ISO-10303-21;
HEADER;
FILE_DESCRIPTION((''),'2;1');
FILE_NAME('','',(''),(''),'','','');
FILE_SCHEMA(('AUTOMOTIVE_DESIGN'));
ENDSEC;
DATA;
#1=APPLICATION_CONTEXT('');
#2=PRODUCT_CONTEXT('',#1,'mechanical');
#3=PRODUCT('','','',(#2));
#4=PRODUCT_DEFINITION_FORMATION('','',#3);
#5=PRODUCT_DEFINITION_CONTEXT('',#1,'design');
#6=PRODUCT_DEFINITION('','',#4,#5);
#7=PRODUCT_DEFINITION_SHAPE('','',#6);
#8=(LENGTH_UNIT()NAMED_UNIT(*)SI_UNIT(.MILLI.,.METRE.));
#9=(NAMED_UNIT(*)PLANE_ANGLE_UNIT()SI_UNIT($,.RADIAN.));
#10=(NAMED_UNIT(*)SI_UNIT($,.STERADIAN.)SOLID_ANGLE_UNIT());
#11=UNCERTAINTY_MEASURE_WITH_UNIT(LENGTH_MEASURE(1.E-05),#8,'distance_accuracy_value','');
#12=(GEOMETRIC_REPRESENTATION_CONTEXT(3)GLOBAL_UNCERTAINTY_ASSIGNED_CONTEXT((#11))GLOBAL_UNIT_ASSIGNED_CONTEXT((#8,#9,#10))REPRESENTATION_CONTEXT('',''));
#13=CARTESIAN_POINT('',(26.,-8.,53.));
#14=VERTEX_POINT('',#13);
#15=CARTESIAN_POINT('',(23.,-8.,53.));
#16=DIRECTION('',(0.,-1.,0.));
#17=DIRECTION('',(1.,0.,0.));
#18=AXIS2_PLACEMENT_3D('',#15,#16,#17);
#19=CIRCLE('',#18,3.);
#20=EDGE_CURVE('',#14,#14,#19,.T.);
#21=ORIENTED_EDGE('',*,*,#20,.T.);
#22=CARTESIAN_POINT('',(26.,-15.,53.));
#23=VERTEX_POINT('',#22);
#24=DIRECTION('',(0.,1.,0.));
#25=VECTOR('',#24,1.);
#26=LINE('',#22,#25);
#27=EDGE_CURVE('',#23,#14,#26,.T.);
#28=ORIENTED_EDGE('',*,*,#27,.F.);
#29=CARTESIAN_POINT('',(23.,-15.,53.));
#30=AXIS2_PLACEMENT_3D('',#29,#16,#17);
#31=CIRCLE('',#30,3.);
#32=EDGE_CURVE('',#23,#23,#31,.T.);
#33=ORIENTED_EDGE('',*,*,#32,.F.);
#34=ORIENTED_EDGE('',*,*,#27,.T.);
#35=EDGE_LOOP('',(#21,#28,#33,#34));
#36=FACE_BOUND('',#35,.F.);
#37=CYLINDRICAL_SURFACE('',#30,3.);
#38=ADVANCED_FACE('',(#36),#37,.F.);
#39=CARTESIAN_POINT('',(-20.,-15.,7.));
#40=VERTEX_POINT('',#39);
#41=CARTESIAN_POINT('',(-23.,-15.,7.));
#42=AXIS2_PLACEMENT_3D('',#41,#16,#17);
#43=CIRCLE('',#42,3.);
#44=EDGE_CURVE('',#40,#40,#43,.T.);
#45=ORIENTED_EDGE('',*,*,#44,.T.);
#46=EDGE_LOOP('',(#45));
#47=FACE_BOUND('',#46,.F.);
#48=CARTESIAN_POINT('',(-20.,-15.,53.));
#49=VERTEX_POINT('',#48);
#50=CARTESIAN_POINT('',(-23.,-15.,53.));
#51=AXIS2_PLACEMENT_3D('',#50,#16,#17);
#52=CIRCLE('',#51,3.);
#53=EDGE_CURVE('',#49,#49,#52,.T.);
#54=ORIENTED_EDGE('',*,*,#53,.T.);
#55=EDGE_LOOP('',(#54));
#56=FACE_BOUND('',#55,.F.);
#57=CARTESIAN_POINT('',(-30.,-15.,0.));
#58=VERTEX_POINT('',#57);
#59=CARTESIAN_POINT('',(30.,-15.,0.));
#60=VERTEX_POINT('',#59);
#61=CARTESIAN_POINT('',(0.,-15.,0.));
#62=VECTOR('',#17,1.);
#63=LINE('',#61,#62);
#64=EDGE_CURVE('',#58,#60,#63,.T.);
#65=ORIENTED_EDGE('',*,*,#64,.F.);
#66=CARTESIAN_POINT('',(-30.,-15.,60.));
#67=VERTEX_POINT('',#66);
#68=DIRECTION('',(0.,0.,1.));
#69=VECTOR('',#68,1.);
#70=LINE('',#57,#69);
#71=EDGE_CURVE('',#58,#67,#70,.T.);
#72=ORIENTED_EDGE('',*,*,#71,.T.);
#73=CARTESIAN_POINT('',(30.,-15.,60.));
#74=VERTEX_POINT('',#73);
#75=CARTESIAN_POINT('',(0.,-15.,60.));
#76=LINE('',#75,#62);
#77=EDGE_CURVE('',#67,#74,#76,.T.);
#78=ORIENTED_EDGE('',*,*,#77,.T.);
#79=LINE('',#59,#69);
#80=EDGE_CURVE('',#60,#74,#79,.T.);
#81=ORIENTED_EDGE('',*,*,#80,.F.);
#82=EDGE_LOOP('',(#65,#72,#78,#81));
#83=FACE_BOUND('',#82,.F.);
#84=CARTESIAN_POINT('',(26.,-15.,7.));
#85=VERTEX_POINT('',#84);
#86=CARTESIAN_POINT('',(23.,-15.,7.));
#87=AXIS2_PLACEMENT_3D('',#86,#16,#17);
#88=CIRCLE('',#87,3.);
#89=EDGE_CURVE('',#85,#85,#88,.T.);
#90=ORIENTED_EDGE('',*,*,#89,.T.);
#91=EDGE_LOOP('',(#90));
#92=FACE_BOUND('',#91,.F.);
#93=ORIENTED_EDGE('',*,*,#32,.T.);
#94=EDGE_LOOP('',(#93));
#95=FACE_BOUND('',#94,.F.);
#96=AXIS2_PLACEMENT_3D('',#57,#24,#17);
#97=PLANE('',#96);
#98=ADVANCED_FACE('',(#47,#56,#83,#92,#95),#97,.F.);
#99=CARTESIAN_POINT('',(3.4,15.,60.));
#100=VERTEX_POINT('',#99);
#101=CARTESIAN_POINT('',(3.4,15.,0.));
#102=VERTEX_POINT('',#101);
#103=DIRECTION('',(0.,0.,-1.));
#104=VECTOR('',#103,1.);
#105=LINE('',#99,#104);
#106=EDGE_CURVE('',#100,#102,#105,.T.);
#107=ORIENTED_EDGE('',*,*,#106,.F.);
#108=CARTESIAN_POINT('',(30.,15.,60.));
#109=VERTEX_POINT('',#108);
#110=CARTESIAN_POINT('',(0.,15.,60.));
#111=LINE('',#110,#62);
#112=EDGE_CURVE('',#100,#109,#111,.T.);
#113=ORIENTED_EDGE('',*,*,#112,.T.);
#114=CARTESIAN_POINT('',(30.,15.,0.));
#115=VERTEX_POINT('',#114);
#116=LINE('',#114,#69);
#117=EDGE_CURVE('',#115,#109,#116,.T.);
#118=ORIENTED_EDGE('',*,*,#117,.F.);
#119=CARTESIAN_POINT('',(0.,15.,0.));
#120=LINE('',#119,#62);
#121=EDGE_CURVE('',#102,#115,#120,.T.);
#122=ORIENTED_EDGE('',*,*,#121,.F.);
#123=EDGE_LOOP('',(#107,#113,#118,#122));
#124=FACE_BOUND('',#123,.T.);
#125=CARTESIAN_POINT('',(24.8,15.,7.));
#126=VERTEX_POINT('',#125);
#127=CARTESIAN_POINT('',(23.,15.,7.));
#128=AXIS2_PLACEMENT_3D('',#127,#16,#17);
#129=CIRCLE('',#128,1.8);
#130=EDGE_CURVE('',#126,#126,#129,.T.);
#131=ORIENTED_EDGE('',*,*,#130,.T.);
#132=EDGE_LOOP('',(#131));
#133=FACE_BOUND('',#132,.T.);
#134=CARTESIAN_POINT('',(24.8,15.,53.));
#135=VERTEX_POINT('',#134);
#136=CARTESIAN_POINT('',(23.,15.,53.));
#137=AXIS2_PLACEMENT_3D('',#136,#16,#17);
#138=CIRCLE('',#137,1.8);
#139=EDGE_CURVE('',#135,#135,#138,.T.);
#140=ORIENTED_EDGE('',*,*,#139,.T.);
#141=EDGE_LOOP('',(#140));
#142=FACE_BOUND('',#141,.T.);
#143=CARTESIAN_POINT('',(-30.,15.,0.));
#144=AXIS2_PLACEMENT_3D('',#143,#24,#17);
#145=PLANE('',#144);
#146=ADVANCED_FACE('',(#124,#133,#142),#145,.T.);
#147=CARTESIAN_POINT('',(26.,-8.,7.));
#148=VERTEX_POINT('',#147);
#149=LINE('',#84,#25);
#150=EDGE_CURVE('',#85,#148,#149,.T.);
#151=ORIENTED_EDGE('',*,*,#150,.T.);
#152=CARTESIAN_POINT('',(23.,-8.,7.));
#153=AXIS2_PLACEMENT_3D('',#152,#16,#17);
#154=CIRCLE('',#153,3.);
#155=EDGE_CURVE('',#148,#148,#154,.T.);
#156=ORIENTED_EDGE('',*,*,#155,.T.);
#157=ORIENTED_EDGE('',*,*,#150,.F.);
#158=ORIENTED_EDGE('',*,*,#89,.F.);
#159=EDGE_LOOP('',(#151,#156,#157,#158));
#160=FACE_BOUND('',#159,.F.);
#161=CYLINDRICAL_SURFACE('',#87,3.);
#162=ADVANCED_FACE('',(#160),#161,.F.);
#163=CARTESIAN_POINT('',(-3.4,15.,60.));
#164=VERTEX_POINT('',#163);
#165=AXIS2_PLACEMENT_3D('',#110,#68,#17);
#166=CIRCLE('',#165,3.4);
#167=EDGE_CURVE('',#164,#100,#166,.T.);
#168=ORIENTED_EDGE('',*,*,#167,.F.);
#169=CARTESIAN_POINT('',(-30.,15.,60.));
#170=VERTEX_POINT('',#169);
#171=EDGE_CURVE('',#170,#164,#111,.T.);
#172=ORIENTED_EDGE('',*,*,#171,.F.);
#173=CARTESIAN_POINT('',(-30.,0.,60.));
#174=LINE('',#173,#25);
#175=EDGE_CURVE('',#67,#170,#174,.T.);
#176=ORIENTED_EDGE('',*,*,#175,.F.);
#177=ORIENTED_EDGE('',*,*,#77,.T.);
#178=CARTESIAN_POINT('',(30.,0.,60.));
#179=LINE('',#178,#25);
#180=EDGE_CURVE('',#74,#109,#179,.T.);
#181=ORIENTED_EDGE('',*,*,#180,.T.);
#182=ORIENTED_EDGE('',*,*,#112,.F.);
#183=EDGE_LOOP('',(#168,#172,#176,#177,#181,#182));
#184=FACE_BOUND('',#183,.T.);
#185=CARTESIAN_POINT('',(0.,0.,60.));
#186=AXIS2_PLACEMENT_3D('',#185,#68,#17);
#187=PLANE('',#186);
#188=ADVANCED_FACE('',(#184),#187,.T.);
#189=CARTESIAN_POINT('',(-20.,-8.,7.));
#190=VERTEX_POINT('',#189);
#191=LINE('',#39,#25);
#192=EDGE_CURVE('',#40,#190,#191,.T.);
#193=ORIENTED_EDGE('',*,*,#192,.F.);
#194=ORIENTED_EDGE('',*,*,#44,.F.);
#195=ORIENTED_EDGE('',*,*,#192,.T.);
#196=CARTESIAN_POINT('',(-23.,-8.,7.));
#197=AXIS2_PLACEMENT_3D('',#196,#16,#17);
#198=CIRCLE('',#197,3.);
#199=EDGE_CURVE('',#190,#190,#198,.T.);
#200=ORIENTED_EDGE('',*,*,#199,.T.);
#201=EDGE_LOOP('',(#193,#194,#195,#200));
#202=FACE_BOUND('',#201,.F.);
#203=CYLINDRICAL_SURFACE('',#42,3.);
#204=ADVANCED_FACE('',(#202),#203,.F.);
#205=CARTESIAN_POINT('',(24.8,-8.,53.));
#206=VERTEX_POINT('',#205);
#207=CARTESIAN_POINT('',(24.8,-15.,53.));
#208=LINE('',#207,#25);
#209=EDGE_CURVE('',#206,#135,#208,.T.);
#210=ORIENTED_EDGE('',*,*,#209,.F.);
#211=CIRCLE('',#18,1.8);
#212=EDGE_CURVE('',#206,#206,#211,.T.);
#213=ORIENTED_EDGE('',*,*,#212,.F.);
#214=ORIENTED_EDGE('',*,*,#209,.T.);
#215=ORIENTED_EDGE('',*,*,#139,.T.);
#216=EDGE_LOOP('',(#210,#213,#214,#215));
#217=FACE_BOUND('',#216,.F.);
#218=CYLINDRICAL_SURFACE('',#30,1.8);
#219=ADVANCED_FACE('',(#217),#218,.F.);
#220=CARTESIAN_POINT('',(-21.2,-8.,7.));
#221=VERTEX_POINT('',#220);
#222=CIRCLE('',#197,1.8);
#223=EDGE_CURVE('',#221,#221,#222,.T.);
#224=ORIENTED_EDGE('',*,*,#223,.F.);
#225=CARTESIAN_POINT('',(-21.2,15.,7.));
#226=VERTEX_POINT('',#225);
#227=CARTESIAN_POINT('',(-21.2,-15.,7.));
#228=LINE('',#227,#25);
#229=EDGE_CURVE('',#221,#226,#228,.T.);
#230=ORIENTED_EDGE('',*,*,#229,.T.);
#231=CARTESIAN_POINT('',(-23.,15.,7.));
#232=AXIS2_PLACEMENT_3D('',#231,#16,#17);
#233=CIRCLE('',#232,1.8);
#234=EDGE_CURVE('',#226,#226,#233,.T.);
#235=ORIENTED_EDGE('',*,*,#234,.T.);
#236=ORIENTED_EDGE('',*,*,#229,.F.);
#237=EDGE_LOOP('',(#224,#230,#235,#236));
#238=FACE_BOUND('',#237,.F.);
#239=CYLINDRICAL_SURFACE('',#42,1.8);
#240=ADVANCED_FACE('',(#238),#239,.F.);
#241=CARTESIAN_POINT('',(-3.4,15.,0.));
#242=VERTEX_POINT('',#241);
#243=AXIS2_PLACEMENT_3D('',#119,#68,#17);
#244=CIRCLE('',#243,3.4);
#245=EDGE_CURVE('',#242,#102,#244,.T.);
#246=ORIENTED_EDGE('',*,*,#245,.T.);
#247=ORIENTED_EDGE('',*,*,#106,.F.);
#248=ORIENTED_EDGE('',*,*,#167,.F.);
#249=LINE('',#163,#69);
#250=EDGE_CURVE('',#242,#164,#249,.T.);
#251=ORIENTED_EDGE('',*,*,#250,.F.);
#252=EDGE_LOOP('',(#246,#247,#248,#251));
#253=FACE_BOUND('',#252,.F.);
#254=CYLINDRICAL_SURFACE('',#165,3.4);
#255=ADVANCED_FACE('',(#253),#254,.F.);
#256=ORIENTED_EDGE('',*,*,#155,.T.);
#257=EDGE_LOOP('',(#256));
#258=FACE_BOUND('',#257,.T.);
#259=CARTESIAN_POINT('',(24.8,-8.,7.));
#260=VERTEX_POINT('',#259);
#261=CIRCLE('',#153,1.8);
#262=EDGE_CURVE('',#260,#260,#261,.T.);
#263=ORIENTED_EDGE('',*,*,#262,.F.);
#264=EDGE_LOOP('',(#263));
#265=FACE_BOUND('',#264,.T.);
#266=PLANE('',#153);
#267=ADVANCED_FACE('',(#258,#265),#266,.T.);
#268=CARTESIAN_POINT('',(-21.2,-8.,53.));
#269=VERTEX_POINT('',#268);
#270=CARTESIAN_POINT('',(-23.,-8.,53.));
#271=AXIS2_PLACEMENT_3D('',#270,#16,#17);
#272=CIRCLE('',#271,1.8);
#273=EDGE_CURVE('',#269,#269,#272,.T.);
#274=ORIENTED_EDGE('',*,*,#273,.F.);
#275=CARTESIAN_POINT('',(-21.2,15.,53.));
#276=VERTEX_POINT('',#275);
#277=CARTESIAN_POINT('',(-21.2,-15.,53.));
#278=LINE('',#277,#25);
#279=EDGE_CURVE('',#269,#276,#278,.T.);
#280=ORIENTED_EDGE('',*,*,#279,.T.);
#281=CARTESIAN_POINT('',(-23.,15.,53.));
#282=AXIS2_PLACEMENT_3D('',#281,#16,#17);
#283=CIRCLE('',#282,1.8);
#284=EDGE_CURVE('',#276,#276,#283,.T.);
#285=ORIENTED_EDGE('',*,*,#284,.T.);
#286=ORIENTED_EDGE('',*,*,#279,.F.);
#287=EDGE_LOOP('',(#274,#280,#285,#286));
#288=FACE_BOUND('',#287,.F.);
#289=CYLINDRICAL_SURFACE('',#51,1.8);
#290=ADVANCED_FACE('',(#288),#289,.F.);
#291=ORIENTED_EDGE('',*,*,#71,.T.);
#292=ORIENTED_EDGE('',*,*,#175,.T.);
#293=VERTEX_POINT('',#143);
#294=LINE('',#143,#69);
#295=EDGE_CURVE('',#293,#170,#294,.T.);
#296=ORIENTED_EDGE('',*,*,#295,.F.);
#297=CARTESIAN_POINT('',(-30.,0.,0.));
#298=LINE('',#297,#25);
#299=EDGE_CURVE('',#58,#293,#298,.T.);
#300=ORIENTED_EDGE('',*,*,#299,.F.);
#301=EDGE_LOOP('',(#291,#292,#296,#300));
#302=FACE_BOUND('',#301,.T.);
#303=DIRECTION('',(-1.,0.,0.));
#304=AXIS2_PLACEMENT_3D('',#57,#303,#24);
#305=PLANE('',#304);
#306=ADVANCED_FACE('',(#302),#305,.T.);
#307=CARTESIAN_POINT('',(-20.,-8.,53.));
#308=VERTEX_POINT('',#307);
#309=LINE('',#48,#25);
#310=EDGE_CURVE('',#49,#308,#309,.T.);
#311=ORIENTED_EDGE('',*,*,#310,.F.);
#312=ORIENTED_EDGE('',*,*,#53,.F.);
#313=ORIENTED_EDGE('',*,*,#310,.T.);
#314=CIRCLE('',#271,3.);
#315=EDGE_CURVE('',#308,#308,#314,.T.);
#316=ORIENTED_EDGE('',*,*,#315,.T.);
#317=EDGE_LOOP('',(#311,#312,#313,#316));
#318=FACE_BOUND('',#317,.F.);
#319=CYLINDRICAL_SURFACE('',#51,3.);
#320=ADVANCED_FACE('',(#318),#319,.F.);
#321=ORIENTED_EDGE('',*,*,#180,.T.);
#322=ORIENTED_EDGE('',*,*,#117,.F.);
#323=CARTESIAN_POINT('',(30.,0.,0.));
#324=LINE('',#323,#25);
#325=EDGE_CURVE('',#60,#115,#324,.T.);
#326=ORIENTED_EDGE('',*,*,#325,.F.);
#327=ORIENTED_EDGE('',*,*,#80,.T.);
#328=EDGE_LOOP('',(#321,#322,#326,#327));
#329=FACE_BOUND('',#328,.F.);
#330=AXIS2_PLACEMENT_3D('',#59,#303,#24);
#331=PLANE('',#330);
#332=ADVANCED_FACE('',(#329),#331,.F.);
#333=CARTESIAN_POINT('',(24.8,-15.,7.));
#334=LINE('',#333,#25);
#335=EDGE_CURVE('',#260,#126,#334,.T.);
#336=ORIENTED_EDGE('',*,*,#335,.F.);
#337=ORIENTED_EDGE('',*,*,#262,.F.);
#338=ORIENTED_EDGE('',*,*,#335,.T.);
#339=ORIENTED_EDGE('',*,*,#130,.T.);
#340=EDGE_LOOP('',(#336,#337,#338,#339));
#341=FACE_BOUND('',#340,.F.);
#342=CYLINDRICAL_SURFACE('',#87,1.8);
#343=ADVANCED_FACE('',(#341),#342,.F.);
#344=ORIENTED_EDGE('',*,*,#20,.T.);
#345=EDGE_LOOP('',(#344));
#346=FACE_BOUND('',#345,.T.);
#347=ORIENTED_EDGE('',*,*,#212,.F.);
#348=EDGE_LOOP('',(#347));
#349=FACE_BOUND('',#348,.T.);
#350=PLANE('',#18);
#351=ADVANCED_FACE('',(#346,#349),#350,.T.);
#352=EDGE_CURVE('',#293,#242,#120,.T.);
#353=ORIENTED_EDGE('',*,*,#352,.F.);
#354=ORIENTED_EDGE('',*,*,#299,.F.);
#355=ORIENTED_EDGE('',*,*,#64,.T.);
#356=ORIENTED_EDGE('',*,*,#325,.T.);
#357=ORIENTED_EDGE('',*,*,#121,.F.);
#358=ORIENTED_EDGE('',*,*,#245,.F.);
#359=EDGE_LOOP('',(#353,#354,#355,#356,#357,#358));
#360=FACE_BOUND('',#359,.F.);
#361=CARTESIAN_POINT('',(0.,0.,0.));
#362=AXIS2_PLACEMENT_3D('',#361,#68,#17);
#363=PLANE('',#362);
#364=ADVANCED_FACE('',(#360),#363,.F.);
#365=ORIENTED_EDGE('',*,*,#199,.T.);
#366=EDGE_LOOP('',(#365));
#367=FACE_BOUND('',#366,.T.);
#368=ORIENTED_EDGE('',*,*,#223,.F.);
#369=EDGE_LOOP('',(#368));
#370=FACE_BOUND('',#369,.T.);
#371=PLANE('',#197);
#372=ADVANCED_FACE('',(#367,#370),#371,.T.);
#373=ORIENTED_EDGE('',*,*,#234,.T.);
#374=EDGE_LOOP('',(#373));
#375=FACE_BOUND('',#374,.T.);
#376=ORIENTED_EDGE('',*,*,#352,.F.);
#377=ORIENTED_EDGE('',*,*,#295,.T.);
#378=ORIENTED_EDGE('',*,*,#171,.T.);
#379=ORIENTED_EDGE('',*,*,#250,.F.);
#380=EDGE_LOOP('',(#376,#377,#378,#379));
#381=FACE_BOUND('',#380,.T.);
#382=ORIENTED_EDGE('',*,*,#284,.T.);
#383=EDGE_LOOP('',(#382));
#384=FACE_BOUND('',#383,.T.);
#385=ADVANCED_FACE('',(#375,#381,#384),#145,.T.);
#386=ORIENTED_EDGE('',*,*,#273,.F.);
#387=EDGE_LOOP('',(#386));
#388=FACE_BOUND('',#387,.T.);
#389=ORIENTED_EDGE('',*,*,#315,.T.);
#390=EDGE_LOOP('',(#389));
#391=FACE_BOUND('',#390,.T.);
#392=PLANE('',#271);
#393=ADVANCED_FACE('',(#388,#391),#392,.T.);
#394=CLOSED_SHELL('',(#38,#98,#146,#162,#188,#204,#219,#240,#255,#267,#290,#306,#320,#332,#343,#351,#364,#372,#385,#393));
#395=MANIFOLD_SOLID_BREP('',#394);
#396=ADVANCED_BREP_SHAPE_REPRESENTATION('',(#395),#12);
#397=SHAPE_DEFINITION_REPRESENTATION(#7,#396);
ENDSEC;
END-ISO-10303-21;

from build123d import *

# Parameters (mm, degrees)
F0_W      = 60
F0_H      = 30
F1_DEPTH  = 60
F2_R      = 3.4
F3_DEPTH  = 60.001
F4_R      = 1.8
F5_DEPTH  = 30.001
F6_R      = 3
F7_DEPTH  = 7
F8_R      = 3
F9_DEPTH  = 7
F10_R     = 3
F11_DEPTH = 7
F12_R     = 3
F13_DEPTH = 7


with BuildPart() as f1:
    # F0 (on Top) → F1 (new body)
    with BuildSketch(Plane.XY):
        Rectangle(F0_W, F0_H)
    extrude(amount=F1_DEPTH)

    # F2 (on face) → F3 (cut, through all)
    with BuildSketch(Plane.XY.offset(60)):
        with Locations((0, 15)):
            Circle(F2_R)
    extrude(amount=-F3_DEPTH, mode=Mode.SUBTRACT)

    # F4 (on face) → F5 (cut, through all)
    with BuildSketch(Plane.XZ.offset(15)):
        with Locations((-23, 53)):
            Circle(F4_R)
        with Locations((23, 53)):
            Circle(F4_R)
        with Locations((23, 7)):
            Circle(F4_R)
        with Locations((-23, 7)):
            Circle(F4_R)
    extrude(amount=-F5_DEPTH, mode=Mode.SUBTRACT)

    # F6 (on face) → F7 (cut)
    with BuildSketch(Plane.XZ.offset(15)):
        with Locations((-23, 53)):
            Circle(F6_R)
    extrude(amount=-F7_DEPTH, mode=Mode.SUBTRACT)

    # F8 (on face) → F9 (cut)
    with BuildSketch(Plane.XZ.offset(15)):
        with Locations((23, 53)):
            Circle(F8_R)
    extrude(amount=-F9_DEPTH, mode=Mode.SUBTRACT)

    # F10 (on face) → F11 (cut)
    with BuildSketch(Plane.XZ.offset(15)):
        with Locations((-23, 7)):
            Circle(F10_R)
    extrude(amount=-F11_DEPTH, mode=Mode.SUBTRACT)

    # F12 (on face) → F13 (cut)
    with BuildSketch(Plane.XZ.offset(15)):
        with Locations((23, 7)):
            Circle(F12_R)
    extrude(amount=-F13_DEPTH, mode=Mode.SUBTRACT)


solid = f1.part
